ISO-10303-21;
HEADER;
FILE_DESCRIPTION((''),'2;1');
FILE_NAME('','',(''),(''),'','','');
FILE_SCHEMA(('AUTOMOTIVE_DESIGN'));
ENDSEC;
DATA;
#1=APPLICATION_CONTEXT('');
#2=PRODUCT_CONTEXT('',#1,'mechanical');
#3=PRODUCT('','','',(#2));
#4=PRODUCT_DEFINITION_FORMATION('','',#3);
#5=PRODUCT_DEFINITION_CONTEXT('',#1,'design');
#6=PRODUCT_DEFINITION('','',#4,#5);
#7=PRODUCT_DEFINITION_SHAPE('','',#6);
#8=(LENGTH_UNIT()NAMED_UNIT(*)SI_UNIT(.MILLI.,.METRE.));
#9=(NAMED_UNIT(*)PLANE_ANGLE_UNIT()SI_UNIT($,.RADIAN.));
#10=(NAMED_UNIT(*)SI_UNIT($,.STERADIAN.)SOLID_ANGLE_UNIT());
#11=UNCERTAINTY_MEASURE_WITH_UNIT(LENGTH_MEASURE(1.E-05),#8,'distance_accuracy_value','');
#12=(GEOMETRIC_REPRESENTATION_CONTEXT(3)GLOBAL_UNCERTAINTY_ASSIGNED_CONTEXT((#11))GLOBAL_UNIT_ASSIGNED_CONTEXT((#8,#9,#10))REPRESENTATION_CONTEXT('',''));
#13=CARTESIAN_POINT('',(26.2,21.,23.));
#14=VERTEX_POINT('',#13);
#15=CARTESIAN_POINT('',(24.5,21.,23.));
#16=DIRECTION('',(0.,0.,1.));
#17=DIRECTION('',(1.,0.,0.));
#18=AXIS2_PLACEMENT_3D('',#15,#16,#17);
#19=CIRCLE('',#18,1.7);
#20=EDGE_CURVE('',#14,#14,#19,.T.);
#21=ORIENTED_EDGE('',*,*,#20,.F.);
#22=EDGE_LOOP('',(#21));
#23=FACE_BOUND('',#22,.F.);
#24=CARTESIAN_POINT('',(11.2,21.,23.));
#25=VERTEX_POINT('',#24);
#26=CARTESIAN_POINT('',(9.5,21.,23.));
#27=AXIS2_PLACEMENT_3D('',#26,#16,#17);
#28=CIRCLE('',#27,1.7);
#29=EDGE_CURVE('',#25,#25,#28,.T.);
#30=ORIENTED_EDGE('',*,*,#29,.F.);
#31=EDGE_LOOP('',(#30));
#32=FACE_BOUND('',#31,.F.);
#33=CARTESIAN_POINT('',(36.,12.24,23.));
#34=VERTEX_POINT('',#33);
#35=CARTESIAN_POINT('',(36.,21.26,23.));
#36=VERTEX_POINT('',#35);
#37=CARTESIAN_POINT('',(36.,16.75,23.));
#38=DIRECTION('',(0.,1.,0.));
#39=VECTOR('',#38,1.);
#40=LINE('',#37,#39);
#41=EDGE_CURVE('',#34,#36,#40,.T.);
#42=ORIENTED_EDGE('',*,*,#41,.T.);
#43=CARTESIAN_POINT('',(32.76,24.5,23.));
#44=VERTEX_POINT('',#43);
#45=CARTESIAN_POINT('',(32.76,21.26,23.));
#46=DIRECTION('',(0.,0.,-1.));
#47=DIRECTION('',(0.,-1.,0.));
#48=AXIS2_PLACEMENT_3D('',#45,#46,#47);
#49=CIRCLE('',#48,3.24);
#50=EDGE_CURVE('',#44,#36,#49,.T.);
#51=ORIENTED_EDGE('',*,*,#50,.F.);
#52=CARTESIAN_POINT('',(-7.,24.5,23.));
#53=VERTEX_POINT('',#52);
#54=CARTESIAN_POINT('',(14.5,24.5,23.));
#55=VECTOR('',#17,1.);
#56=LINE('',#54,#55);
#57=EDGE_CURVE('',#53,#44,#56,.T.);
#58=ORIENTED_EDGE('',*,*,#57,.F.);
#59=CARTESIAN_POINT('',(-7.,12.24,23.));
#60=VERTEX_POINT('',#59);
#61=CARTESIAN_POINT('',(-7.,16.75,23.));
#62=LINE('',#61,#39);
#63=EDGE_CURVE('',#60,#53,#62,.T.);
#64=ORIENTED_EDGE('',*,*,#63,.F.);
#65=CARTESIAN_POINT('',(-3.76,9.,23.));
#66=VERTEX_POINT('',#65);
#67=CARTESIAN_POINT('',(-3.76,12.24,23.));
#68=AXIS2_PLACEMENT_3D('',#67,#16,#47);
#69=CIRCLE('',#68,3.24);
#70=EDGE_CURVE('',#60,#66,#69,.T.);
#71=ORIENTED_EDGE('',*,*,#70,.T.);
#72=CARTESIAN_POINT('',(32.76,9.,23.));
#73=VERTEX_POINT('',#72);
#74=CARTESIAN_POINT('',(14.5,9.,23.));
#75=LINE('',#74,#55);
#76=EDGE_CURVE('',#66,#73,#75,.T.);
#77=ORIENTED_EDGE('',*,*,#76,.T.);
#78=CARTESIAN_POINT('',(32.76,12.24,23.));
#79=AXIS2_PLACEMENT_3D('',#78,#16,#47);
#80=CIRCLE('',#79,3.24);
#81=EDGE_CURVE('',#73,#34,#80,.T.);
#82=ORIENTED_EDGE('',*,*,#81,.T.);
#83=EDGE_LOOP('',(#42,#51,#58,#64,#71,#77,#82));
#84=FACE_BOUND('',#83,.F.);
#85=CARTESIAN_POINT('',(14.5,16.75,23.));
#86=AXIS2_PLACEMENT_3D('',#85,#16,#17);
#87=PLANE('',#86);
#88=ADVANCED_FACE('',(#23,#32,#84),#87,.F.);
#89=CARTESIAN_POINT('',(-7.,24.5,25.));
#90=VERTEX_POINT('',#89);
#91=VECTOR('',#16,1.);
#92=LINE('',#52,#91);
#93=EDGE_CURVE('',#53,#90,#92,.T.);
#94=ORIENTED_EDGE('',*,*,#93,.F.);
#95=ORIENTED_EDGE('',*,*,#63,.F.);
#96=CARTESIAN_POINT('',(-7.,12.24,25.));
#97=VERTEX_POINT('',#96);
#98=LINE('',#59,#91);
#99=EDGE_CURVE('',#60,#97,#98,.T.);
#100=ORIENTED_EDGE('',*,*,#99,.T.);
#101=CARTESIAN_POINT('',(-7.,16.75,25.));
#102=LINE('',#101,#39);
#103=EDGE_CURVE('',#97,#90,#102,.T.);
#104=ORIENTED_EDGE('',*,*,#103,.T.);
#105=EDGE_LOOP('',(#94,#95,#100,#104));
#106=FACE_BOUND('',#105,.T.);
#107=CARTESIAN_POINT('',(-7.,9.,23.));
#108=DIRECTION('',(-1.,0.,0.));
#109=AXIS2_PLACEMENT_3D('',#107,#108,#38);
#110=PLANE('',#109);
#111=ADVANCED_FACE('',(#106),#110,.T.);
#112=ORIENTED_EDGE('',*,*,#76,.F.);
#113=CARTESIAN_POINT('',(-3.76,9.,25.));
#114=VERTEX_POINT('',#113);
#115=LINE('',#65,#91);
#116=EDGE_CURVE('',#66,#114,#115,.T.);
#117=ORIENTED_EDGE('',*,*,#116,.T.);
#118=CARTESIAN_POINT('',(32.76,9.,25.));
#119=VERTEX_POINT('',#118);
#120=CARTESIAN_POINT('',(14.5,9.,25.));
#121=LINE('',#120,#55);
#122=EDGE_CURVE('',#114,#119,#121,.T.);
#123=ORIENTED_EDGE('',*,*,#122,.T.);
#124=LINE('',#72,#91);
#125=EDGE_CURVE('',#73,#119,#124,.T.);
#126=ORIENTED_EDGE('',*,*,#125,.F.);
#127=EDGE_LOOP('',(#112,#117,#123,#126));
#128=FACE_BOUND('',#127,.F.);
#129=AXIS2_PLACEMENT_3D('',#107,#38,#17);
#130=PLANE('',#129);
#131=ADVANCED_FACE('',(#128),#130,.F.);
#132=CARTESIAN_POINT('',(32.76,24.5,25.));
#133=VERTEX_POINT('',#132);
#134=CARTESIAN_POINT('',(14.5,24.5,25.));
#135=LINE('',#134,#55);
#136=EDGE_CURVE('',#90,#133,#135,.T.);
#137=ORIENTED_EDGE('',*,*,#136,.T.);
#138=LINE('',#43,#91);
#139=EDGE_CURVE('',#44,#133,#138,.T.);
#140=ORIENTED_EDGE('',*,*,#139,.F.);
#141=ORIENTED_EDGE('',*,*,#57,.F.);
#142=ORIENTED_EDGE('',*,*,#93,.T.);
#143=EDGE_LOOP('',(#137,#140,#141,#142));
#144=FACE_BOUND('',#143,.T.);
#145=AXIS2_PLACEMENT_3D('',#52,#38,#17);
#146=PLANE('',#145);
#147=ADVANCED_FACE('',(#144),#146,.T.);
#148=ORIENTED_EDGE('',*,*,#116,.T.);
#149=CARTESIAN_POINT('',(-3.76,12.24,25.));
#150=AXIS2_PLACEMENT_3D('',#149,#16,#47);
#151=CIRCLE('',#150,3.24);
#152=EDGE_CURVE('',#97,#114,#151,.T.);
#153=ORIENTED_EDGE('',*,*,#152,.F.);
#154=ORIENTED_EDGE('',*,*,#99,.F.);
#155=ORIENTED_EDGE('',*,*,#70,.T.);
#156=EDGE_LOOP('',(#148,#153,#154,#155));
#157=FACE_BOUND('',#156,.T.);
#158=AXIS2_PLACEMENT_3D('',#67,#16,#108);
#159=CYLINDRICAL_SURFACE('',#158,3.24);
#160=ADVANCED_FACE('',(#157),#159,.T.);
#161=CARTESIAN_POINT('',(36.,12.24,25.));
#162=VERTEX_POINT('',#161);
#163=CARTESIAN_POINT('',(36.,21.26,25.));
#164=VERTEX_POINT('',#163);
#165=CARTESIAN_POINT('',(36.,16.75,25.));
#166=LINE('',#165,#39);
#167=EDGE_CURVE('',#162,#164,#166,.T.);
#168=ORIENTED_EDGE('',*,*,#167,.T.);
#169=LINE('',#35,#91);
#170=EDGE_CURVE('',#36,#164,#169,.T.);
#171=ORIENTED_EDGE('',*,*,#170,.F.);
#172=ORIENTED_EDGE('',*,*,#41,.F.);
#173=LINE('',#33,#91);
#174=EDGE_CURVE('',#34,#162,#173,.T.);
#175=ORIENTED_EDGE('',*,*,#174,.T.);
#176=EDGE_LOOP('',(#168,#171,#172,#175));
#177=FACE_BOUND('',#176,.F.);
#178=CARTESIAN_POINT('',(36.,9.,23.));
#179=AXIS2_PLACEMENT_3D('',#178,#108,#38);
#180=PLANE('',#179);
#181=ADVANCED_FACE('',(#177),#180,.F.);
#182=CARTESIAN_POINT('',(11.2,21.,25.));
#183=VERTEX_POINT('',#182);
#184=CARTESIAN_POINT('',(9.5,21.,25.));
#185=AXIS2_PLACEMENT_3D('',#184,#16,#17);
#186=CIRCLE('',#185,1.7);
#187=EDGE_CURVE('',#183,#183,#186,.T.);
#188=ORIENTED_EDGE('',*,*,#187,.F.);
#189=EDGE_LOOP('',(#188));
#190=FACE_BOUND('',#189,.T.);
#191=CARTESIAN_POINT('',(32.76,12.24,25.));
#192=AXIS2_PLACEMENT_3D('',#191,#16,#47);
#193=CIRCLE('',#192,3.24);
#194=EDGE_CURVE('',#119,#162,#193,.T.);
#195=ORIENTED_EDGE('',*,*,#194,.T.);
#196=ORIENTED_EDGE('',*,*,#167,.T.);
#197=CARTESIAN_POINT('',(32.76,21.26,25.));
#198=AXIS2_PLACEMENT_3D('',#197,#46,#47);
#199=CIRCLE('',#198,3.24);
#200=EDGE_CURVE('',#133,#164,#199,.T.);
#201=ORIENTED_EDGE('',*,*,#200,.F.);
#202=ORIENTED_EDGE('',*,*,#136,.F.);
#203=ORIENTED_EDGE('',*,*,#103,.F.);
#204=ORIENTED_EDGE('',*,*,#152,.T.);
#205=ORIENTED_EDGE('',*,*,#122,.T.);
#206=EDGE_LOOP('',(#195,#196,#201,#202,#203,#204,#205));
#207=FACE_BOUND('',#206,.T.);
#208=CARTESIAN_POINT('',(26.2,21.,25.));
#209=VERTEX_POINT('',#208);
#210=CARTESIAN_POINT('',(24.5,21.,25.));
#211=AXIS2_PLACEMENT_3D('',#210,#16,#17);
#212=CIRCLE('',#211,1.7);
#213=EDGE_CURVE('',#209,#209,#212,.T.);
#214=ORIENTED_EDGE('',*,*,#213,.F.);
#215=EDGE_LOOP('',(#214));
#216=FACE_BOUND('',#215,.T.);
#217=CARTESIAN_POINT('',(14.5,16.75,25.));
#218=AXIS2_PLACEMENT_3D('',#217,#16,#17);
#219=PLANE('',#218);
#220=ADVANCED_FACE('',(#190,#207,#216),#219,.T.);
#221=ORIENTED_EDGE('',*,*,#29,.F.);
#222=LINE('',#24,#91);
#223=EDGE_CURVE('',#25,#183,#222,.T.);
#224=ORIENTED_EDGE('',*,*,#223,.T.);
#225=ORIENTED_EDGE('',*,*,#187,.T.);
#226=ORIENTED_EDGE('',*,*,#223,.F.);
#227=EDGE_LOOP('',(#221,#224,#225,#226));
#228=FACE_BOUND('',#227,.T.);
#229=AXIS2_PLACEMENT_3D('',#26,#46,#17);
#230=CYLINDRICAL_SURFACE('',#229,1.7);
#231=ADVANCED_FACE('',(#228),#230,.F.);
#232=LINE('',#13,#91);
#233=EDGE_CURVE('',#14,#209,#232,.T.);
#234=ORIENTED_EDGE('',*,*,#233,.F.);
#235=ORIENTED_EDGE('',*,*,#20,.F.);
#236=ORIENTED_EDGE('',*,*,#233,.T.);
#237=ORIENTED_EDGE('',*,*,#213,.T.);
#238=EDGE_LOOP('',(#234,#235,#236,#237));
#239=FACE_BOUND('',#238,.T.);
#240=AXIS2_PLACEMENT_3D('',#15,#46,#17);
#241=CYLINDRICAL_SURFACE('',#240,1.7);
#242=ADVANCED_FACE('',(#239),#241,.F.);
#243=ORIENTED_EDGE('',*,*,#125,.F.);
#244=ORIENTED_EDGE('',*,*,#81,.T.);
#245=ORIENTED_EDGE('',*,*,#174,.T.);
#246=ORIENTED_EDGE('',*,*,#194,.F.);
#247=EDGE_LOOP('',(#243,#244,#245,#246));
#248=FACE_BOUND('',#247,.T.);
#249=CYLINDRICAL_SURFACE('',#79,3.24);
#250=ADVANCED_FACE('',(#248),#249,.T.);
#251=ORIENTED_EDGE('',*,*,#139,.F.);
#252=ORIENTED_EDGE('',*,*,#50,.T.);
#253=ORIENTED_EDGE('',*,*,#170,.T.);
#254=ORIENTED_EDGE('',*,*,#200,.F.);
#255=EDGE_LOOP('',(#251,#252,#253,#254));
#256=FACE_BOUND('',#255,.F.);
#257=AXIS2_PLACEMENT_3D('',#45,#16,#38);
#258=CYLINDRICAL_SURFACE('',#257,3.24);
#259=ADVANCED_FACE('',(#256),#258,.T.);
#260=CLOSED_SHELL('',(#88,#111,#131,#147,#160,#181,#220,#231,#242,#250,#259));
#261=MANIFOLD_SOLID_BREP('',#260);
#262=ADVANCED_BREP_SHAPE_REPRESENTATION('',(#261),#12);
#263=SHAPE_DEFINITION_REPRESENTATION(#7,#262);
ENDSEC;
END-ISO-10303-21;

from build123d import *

# Parameters (mm, degrees)
CYLINDER058_R     = 1.7
CYLINDER058_DEPTH = 2
CYLINDER057_R     = 1.7
CYLINDER057_DEPTH = 2
BOX020_W          = 43
BOX020_H          = 15.5
BOX020_DEPTH      = 2
FILLET007_R       = 3.24


with BuildPart() as cylinder058:
    # Cylinder058 → Cylinder058 (new body)
    with BuildSketch(Plane(origin=(24.5, 21, 23), x_dir=(1, 0, 0), z_dir=(0, 0, 1))):
        Circle(CYLINDER058_R)
    extrude(amount=CYLINDER058_DEPTH)


with BuildPart() as deltacylinderm3:
    # Cylinder057 → Cylinder057 (new body)
    with BuildSketch(Plane(origin=(9.5, 21, 23), x_dir=(1, 0, 0), z_dir=(0, 0, 1))):
        Circle(CYLINDER057_R)
    extrude(amount=CYLINDER057_DEPTH)


with BuildPart() as belt_cover:
    # Box020 → Box020 (new body)
    with BuildSketch(Plane(origin=(-7, 9, 23), x_dir=(1, 0, 0), z_dir=(0, 0, 1))):
        with Locations((21.5, 7.75)):
            Rectangle(BOX020_W, BOX020_H)
    extrude(amount=BOX020_DEPTH)

    # Cut043: cut DeltaCylinderM3
    add(deltacylinderm3.part, mode=Mode.SUBTRACT)

    # Cut044: cut Cylinder058
    add(cylinder058.part, mode=Mode.SUBTRACT)

    # Fillet007
    fillet007_edges = [belt_cover.edges().sort_by_distance(p)[0] for p in [
        (-7, 9, 24),
        (36, 9, 24),
        (36, 24.5, 24),
    ]]
    fillet(fillet007_edges, radius=FILLET007_R)


solid = belt_cover.part
